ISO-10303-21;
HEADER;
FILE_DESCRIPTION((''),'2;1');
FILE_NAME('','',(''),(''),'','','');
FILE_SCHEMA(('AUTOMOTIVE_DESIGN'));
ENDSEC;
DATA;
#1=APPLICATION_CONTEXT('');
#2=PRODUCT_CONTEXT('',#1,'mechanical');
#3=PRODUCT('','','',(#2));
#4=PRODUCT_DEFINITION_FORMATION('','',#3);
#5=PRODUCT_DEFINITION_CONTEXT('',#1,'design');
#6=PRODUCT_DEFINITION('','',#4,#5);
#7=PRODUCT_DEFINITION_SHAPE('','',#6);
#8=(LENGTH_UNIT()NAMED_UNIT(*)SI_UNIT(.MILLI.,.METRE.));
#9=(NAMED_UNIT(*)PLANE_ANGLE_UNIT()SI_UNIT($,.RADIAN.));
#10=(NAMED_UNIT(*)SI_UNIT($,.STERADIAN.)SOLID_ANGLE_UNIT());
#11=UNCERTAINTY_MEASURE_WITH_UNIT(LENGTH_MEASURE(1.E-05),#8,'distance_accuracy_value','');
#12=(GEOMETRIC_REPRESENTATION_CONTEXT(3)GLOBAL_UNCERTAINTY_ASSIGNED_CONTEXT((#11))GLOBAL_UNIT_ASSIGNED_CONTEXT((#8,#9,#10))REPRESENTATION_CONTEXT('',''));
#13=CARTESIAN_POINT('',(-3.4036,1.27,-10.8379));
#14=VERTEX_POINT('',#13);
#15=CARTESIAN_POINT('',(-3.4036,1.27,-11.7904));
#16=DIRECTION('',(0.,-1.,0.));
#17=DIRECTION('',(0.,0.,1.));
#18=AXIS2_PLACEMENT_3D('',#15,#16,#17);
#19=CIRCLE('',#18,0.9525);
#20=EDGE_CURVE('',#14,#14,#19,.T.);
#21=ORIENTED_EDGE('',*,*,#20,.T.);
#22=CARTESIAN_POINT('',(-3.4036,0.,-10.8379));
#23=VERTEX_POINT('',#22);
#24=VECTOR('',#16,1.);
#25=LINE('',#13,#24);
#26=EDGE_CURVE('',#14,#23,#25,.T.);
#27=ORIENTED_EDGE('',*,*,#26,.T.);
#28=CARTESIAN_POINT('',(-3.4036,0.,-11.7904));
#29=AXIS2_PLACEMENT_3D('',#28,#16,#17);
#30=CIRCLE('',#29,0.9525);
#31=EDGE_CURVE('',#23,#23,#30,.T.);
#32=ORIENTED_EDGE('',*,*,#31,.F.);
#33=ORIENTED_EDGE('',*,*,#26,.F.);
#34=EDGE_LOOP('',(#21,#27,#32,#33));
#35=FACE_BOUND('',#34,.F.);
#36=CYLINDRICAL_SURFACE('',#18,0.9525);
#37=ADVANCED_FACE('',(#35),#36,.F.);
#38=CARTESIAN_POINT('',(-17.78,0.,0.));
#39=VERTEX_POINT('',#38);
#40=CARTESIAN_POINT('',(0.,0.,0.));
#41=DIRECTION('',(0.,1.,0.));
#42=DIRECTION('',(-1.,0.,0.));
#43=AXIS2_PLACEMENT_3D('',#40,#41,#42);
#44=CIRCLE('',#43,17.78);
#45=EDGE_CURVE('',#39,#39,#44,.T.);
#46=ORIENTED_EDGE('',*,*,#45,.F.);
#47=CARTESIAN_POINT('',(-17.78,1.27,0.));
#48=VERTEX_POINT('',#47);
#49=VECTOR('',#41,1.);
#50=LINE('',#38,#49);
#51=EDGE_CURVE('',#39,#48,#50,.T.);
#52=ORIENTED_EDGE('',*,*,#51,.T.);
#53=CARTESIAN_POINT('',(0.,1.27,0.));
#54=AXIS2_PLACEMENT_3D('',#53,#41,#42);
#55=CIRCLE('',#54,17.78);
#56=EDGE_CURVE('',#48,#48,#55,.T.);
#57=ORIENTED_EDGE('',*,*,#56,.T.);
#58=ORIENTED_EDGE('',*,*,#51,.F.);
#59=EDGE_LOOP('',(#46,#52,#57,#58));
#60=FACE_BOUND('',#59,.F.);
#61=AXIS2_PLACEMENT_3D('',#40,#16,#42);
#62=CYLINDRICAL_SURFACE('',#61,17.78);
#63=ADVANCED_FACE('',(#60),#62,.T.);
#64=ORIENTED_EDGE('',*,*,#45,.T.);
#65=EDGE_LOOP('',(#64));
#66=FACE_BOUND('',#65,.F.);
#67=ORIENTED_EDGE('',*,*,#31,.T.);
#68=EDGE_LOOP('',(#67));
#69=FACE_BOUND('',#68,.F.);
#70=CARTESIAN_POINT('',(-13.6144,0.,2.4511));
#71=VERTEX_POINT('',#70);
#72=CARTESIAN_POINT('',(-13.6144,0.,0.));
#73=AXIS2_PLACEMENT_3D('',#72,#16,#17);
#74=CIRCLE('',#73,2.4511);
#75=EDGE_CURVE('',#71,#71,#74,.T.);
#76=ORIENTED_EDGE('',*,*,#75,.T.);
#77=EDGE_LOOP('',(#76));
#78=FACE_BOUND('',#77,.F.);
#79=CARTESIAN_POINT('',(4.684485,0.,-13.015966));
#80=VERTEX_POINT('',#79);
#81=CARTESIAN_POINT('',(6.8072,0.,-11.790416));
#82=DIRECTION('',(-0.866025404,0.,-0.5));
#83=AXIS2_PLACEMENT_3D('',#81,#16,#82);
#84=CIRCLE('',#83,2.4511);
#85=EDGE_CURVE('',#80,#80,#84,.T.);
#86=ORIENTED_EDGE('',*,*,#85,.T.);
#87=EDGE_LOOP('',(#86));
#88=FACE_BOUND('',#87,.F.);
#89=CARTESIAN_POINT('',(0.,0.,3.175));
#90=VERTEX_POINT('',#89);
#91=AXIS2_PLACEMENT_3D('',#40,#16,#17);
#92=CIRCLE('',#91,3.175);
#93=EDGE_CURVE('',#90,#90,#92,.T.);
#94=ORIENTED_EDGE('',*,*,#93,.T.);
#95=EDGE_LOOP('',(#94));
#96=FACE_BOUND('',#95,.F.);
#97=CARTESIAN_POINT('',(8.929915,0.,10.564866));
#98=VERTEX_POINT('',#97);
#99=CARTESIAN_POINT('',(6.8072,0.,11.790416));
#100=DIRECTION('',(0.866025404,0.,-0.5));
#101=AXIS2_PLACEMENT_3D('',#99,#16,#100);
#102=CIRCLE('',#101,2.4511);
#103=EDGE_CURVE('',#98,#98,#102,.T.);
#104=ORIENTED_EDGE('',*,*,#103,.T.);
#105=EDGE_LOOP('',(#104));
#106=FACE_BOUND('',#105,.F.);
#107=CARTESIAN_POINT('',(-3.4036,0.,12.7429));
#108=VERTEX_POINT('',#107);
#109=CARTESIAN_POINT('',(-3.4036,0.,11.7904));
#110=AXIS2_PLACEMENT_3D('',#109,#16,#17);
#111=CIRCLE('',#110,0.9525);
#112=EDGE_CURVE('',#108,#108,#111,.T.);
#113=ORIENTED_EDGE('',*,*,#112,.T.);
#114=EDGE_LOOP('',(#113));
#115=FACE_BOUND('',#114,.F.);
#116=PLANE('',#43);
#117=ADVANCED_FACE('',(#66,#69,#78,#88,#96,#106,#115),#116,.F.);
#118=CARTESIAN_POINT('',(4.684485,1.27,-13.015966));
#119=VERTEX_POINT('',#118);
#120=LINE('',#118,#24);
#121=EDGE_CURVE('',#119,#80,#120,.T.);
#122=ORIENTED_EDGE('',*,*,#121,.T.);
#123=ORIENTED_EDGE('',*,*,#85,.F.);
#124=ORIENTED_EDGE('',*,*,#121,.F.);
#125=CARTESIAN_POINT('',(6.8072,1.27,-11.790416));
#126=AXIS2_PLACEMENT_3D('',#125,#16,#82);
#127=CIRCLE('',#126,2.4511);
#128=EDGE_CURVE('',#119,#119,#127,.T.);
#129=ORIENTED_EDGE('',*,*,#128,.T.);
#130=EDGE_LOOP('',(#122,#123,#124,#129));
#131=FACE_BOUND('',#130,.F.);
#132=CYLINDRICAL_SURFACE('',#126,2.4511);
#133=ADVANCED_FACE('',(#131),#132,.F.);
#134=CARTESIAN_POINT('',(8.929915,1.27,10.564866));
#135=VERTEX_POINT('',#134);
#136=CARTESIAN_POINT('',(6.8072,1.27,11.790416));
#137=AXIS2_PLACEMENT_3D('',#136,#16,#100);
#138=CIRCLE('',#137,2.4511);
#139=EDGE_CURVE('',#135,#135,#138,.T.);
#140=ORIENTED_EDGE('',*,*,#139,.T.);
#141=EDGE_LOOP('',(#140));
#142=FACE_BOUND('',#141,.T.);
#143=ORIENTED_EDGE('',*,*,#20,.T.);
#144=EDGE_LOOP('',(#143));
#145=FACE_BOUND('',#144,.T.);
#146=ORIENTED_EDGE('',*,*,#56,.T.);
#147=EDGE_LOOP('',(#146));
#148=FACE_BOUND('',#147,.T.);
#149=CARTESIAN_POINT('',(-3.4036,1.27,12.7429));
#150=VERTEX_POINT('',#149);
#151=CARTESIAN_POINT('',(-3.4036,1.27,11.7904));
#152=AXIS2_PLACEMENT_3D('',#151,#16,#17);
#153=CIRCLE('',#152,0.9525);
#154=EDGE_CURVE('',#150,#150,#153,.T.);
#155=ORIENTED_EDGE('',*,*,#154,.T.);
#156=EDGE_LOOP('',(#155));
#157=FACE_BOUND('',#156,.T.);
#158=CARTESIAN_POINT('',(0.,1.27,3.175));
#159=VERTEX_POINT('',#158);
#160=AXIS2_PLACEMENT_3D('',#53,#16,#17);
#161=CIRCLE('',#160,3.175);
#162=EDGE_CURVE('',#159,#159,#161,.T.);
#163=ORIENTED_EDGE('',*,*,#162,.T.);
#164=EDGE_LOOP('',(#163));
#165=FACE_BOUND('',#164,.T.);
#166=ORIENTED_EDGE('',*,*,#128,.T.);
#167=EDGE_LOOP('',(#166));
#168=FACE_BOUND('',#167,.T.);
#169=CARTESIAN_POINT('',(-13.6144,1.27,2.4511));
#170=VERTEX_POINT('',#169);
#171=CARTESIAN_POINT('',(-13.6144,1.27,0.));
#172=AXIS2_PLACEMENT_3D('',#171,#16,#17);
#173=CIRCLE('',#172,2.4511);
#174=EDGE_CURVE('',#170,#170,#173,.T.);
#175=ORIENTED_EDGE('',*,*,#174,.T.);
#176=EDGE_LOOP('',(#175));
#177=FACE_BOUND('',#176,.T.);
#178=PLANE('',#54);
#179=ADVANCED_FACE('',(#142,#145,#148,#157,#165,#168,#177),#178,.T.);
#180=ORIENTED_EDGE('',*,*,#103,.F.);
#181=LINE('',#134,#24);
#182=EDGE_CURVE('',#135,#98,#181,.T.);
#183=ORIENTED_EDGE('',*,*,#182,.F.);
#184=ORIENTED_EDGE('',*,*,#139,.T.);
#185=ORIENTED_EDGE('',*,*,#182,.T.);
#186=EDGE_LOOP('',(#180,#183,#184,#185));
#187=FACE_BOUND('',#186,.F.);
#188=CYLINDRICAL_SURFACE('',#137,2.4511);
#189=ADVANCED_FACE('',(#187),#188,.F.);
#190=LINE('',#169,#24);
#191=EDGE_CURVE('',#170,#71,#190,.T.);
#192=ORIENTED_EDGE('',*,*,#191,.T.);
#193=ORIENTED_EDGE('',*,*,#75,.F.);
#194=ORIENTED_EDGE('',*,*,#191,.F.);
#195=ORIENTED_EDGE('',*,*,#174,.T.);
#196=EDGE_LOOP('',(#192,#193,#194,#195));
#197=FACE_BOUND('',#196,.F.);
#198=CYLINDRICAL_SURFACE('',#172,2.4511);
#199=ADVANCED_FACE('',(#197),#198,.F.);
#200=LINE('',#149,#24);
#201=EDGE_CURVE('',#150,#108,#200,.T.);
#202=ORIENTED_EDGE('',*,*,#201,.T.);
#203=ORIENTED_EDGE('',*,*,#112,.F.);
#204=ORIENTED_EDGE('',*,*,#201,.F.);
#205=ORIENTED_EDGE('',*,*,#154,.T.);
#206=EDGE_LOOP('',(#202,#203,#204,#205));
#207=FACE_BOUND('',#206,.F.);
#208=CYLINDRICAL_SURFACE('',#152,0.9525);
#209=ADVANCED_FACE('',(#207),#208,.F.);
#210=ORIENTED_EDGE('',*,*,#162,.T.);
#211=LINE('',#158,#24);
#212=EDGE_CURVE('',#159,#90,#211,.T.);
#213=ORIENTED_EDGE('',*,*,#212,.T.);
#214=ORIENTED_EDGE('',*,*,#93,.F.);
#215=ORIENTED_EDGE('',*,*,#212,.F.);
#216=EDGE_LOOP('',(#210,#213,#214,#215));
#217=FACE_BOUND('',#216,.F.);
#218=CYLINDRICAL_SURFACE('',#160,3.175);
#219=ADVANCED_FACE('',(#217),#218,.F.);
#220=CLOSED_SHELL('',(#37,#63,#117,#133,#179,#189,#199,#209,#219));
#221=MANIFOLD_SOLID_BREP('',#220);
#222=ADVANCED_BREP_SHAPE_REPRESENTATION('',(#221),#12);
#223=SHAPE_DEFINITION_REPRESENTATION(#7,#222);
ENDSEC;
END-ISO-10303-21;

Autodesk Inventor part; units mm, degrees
ref_plane "YZ Plane" through (0, 0, 0) normal (1, 0, 0) x (0, 1, 0)
ref_plane "XZ Plane" through (0, 0, 0) normal (0, 1, 0) x (-1, 0, 0)
ref_plane "XY Plane" through (0, 0, 0) normal (0, 0, 1) x (1, 0, 0)
sketch "Sketch1" plane through (0, 0, 0) normal (0, 1, 0) x (-1, 0, 0)
  circle A0 centre (0, 0) radius 17.78
  dimension "d0" = 35.56
extrude "Extrusion1" add sketch "Sketch1" along normal blind 1.27
sketch "Sketch2" plane through (0, 1.27, 0) normal (0, 1, 0) x (1, 0, 0)
  circle A0 centre (0, 0) radius 17.78 projected
hole "Hole1" at (0, 1.27, 0) direction (0, -1, 0) diameter 6.35 end through all
sketch "Sketch3" plane through (0, 1.27, 0) normal (0, 1, 0) x (1, 0, 0)
  line L0 (0, 0) -> (-13.6144, 0)
  dimension "d10" = 13.6144
hole "Hole2" at (-13.6144, 1.27, 0) direction (0, -1, 0) diameter 4.9022 end through all
pattern_circular "Circular Pattern1" count 3 over 360 about axis through (0, -49.0355, 0) along (0, 1, 0) of "Hole2"
sketch "Sketch5" plane through (0, 1.27, 0) normal (0, 1, 0) x (1, 0, 0)
  circle A0 centre (-13.6144, 0) radius 2.4511 projected
  circle A1 centre (6.8072, 11.7904) radius 2.4511 projected
  line L0 (-13.6144, 0) -> (6.8072, 11.7904)
  circle A2 centre (6.8072, -11.7904) radius 2.4511 projected
  line L1 (6.8072, 11.7904) -> (6.8072, -11.7904)
  line L2 (6.8072, -11.7904) -> (-13.6144, 0)
  line L3 (-13.6144, 0) -> (-13.6144, -11.7904)
  line L4 (-13.6144, -11.7904) -> (6.8072, -11.7904)
  line L5 (-13.6144, 0) -> (-13.6144, 11.7904)
  line L6 (-13.6144, 11.7904) -> (6.8072, 11.7904)
  circle A3 centre (-3.4036, 11.7904) radius 0.635
  circle A4 centre (-3.4036, -11.7904) radius 0.635
  point P0 (0, 0)
  dimension "d28" = 1.27
hole "Hole4" at (-3.4036, 1.27, 11.7904) at (-3.4036, 1.27, -11.7904) direction (0, -1, 0) diameter 1.905 depth 6.35 tip angle 118
properties part number "buffer" material "PBT Plastic"
